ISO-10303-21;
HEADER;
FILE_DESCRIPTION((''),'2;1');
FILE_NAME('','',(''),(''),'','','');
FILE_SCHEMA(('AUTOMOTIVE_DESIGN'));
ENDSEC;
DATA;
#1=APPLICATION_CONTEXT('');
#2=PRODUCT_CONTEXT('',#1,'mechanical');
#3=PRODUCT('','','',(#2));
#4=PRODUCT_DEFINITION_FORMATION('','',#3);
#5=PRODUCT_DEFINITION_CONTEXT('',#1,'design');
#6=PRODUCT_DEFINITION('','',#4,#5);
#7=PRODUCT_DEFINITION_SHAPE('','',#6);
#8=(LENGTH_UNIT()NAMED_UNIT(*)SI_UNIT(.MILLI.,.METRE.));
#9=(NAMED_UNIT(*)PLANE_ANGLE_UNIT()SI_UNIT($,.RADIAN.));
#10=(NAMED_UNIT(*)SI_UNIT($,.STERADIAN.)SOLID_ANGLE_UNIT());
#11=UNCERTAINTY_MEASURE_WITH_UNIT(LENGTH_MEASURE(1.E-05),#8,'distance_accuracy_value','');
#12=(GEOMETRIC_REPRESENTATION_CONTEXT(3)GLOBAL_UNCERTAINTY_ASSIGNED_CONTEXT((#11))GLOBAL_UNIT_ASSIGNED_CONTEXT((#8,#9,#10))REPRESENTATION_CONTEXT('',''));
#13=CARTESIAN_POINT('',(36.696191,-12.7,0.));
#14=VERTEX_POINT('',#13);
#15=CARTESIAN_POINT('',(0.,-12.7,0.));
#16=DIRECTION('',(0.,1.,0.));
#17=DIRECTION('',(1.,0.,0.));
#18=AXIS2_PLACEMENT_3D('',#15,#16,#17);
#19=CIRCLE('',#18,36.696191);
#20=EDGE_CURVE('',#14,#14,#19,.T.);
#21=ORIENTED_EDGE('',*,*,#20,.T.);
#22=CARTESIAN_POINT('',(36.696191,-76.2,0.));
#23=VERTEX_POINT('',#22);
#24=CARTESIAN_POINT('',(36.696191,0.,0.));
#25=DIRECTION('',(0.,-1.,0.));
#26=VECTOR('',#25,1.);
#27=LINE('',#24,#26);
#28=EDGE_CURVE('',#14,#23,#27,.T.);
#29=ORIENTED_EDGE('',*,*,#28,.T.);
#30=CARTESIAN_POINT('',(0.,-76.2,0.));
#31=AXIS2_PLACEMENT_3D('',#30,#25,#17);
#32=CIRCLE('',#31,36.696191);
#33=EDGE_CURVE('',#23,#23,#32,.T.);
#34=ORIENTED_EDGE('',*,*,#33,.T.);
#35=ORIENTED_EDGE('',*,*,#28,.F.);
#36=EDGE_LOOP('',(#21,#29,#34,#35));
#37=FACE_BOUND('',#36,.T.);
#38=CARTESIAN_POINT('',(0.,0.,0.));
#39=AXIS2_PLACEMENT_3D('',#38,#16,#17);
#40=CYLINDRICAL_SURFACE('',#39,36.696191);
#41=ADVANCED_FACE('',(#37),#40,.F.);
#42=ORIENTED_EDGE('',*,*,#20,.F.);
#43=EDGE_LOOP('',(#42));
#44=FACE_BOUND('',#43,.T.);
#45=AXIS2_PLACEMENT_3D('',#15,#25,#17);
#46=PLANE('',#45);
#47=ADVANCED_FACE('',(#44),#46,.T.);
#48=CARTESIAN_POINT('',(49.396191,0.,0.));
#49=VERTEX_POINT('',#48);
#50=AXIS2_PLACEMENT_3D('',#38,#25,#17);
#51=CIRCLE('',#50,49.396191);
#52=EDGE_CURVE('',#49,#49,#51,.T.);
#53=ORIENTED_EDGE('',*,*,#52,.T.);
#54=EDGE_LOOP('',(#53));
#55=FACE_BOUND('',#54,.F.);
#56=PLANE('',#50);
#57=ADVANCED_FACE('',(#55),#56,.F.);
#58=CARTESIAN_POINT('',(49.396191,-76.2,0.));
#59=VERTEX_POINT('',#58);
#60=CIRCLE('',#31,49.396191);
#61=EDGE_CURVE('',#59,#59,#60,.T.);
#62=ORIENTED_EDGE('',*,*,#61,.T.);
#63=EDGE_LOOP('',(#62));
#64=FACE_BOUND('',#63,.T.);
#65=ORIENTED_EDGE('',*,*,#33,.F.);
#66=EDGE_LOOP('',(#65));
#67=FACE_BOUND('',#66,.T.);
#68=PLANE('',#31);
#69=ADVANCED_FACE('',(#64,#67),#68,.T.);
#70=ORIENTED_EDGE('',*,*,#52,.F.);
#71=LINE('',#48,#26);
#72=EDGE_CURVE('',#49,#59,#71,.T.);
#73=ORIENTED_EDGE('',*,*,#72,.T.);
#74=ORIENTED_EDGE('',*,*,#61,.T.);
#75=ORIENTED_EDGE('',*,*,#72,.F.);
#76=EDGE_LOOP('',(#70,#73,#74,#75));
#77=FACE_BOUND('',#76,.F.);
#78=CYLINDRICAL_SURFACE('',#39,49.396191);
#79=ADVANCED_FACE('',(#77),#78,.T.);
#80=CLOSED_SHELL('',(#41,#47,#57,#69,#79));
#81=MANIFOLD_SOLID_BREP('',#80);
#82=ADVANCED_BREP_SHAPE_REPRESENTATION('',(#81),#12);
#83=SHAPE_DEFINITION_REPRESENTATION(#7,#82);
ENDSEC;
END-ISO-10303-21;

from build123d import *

# Parameters (mm, degrees)
F0_R     = 49.396191
F1_DEPTH = 76.2
F2_R     = 23.861127
F3_DEPTH = 50.8
F4_T     = -12.7


with BuildPart() as f1:
    # F0 (on Front) → F1 (new body)
    with BuildSketch(Plane.XZ):
        Circle(F0_R)
    extrude(amount=F1_DEPTH)

    # F2 (on Front) → F3 (join)
    with BuildSketch(Plane.XZ):
        Circle(F2_R)
    extrude(amount=F3_DEPTH)

    # F4
    f4_openings = [f1.faces().sort_by_distance(p)[0] for p in [
        (0, -76.2, 0),
    ]]
    offset(amount=F4_T, openings=f4_openings)


solid = f1.part
